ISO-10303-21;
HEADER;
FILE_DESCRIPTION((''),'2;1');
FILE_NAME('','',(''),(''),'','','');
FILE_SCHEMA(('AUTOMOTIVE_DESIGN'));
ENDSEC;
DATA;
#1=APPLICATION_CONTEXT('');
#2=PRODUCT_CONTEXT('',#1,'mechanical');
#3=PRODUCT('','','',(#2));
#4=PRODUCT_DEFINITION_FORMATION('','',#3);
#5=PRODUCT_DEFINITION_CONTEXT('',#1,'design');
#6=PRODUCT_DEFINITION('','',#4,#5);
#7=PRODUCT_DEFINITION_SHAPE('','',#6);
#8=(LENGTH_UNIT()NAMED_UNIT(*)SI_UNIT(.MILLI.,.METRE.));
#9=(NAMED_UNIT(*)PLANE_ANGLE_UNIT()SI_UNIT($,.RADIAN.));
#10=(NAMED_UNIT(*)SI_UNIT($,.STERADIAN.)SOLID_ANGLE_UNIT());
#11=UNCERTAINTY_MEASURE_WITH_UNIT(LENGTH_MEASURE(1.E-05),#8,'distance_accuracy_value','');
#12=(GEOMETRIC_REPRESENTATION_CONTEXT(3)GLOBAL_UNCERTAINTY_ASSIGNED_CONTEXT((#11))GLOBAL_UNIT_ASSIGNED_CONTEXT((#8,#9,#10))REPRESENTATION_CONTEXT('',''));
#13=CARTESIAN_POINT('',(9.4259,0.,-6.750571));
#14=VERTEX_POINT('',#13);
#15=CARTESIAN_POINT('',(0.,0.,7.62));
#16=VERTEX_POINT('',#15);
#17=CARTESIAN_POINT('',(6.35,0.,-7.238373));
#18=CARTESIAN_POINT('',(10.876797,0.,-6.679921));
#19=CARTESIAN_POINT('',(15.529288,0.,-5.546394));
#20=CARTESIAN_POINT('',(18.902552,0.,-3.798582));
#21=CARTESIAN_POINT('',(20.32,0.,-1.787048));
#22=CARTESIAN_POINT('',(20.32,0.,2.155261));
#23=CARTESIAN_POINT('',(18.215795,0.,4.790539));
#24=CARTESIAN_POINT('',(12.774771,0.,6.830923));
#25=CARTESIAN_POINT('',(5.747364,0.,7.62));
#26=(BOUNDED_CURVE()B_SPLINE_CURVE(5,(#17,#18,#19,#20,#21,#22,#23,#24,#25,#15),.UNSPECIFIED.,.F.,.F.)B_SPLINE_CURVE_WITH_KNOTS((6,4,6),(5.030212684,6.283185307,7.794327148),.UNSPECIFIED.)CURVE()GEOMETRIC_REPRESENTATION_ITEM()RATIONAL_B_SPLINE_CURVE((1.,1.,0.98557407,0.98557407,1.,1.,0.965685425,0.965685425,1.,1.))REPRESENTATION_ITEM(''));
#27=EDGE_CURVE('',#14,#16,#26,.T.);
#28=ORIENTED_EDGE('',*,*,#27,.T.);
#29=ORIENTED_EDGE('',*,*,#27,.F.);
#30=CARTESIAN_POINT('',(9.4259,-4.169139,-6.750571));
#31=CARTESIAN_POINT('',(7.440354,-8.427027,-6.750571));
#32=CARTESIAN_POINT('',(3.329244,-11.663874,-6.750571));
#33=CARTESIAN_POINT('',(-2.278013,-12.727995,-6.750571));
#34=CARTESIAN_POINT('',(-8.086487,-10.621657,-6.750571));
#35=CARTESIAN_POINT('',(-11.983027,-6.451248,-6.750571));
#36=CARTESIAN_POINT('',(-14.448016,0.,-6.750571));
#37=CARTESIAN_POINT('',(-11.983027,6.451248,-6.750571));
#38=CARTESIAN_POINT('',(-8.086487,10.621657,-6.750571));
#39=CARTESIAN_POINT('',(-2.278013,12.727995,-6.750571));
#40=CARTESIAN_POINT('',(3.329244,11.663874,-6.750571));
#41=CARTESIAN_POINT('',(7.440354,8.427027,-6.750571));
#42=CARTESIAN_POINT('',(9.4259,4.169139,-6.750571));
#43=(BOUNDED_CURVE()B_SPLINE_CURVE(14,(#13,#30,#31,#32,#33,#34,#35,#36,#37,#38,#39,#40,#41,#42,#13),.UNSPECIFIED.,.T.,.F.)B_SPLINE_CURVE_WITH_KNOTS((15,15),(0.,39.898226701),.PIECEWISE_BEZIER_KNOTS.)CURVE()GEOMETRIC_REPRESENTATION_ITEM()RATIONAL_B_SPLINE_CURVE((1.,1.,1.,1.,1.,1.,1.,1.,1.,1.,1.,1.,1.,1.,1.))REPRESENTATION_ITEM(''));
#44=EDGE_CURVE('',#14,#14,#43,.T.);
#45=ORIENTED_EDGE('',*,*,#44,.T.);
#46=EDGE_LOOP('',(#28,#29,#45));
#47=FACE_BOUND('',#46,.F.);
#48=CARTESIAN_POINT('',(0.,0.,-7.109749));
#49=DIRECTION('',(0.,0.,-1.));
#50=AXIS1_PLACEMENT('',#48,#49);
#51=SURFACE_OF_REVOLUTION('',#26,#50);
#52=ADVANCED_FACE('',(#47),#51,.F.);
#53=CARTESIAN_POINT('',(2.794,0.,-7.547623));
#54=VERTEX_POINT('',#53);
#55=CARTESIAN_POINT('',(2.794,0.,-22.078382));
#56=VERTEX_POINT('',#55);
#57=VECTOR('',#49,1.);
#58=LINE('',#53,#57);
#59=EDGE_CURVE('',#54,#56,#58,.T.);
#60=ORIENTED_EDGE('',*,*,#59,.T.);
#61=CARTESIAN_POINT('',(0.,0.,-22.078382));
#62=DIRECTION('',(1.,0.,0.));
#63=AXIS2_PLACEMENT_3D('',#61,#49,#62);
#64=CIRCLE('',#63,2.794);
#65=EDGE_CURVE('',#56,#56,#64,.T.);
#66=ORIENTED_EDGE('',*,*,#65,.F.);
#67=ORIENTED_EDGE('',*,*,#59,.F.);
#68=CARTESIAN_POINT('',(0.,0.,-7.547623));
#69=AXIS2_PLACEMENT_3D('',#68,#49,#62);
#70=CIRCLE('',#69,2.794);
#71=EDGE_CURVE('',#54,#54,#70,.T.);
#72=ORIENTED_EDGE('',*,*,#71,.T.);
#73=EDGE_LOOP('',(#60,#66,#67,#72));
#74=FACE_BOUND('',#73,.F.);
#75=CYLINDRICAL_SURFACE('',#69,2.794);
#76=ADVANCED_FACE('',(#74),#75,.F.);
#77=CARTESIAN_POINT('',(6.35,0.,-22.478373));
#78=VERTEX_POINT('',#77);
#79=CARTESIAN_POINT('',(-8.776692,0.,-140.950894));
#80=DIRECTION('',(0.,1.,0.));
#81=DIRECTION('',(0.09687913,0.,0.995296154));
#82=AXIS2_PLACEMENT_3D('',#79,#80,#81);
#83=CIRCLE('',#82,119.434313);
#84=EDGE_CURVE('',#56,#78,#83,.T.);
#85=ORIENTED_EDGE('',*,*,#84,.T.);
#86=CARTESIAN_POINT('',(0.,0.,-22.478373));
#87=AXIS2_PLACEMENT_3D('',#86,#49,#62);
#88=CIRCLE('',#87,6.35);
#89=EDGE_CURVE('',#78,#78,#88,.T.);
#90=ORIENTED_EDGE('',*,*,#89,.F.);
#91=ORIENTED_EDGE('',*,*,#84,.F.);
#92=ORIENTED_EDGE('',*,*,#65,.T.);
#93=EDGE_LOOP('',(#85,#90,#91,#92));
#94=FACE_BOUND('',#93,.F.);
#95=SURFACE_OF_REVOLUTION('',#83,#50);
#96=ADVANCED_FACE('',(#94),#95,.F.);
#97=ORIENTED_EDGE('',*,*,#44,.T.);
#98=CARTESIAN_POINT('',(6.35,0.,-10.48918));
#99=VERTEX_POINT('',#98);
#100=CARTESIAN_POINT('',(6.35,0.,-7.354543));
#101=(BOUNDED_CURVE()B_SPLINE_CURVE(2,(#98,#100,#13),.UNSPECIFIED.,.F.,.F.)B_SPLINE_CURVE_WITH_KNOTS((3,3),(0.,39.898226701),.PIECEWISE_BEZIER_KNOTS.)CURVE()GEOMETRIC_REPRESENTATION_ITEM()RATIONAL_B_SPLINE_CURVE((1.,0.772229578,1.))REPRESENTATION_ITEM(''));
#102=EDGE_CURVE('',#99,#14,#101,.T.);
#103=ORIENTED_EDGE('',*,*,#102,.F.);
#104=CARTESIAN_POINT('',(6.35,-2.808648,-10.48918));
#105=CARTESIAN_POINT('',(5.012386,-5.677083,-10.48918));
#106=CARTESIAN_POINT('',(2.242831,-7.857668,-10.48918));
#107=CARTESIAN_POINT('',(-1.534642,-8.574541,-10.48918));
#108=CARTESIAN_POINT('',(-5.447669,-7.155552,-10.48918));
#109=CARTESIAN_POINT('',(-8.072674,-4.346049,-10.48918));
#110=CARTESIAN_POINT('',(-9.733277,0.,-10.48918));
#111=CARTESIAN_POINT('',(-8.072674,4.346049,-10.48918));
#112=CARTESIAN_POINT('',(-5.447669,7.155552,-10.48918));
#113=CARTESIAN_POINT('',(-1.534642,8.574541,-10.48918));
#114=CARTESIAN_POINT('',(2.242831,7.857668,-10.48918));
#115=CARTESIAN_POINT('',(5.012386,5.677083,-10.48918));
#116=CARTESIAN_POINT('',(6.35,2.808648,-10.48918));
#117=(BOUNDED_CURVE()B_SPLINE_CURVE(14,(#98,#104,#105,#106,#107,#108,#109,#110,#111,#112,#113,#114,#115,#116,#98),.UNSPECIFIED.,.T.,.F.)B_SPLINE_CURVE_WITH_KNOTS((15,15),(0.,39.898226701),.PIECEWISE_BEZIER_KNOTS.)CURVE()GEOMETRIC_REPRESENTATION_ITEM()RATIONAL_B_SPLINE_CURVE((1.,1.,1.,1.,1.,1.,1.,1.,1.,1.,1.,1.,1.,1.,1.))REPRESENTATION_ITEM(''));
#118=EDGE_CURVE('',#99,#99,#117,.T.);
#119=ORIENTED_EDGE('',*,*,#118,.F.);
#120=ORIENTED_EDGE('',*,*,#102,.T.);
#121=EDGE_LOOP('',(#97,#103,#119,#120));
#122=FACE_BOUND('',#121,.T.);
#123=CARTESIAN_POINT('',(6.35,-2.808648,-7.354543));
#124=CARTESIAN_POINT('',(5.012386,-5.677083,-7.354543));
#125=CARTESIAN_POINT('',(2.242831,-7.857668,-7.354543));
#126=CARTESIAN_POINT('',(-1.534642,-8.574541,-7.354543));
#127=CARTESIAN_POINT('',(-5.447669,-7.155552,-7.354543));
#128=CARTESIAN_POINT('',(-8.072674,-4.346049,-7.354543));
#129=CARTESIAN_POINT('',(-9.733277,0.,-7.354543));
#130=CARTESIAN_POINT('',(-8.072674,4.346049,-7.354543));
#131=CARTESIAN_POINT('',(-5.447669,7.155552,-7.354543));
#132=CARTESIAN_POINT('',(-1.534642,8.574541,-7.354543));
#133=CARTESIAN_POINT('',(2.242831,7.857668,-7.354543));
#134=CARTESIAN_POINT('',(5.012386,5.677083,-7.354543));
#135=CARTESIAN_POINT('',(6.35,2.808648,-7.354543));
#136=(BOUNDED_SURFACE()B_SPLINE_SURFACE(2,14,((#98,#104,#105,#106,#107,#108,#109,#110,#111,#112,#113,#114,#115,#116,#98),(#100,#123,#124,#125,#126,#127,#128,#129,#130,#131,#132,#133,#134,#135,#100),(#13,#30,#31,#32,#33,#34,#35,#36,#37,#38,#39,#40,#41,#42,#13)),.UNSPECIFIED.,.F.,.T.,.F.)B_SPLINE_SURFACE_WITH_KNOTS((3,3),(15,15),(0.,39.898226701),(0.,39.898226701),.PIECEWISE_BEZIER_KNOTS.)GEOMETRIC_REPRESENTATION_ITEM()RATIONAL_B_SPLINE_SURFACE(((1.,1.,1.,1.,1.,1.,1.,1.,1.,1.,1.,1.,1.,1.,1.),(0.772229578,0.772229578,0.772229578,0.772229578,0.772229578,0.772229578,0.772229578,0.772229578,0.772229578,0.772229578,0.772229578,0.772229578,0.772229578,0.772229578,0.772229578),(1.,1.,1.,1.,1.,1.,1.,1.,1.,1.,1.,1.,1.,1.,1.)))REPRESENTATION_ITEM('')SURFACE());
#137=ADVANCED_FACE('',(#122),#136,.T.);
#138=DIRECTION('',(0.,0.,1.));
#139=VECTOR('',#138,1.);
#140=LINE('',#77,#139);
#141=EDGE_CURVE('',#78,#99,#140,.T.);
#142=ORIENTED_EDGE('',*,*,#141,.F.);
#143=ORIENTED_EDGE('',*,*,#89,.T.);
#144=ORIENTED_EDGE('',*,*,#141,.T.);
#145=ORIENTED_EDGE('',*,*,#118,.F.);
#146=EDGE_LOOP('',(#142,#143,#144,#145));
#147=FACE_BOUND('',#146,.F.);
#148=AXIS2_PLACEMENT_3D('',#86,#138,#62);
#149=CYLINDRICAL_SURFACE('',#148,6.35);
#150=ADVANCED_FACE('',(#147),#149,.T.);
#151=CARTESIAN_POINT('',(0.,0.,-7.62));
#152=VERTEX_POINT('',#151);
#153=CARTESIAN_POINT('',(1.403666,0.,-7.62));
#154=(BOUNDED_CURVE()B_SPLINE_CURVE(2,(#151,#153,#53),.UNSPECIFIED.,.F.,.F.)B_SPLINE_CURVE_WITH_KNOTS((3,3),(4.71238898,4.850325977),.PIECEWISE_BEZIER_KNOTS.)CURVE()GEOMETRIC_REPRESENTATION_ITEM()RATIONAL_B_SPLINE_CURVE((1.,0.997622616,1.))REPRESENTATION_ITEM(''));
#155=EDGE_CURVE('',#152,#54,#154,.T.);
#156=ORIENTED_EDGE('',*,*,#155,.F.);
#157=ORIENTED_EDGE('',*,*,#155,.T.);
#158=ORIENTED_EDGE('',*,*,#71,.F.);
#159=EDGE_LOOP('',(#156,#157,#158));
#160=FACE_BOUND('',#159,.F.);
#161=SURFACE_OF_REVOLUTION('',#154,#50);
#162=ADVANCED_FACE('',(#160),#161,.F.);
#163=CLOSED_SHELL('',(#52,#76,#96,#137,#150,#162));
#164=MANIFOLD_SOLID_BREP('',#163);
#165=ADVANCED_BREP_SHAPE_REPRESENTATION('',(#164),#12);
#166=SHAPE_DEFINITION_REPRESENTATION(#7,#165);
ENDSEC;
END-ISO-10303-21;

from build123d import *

# Parameters (mm, degrees)
F2_R = 3.81


with BuildPart() as f1:
    # F0 (on Front) → F1 (revolve)
    with BuildSketch(Plane.XZ):
        with BuildLine():
            Line((0, 7.62), (0, 3.81))
            add(Edge.make_bspline(
                [(16.51, 0), (16.51, 3.81), (0, 3.81)],
                knots=[0, 0, 0, 1.5707963268, 1.5707963268, 1.5707963268], degree=2, weights=[1, 0.7071067812, 1]))
            Line((16.51, 0), (20.32, 0))
            add(Edge.make_bspline(
                [(20.32, 0), (20.32, 7.62), (0, 7.62)],
                knots=[0, 0, 0, 1.5707963268, 1.5707963268, 1.5707963268], degree=2, weights=[1, 0.7071067812, 1]))
        make_face()
        with BuildLine():
            Line((0, 3.81), (0, -3.81))
            add(Edge.make_bspline(
                [(0, -3.81), (16.51, -3.81), (16.51, 0)],
                knots=[4.7123889804, 4.7123889804, 4.7123889804, 6.2831853072, 6.2831853072, 6.2831853072], degree=2, weights=[1, 0.7071067812, 1]))
            add(Edge.make_bspline(
                [(16.51, 0), (16.51, 3.81), (0, 3.81)],
                knots=[0, 0, 0, 1.5707963268, 1.5707963268, 1.5707963268], degree=2, weights=[1, 0.7071067812, 1]))
        make_face()
        with BuildLine():
            Line((0, -3.81), (0, -7.62))
            add(Edge.make_bspline(
                [(0, -7.62), (1.4036661743, -7.62), (2.794, -7.5476234629)],
                knots=[4.7123889804, 4.7123889804, 4.7123889804, 4.8503259768, 4.8503259768, 4.8503259768], degree=2, weights=[1, 0.9976226157, 1]))
            add(Edge.make_bspline(
                [(2.794, -7.5476234629), (4.6091869917, -7.4531303662), (6.35, -7.2383733281)],
                knots=[4.8503259768, 4.8503259768, 4.8503259768, 5.0302126843, 5.0302126843, 5.0302126843], degree=2, weights=[1, 0.9959578227, 1]))
            add(Edge.make_bspline(
                [(6.35, -7.2383733281), (20.32, -5.5149511072), (20.32, 0)],
                knots=[5.0302126843, 5.0302126843, 5.0302126843, 6.2831853072, 6.2831853072, 6.2831853072], degree=2, weights=[1, 0.8100925873, 1]))
            Line((20.32, 0), (16.51, 0))
            add(Edge.make_bspline(
                [(0, -3.81), (16.51, -3.81), (16.51, 0)],
                knots=[4.7123889804, 4.7123889804, 4.7123889804, 6.2831853072, 6.2831853072, 6.2831853072], degree=2, weights=[1, 0.7071067812, 1]))
        make_face()
        with BuildLine():
            add(Edge.make_bspline(
                [(2.794, -7.5476234629), (4.6091869917, -7.4531303662), (6.35, -7.2383733281)],
                knots=[4.8503259768, 4.8503259768, 4.8503259768, 5.0302126843, 5.0302126843, 5.0302126843], degree=2, weights=[1, 0.9959578227, 1]))
            Line((2.794, -7.5476234629), (2.794, -22.0783822325))
            ThreePointArc((2.794, -22.0783822325), (4.5734981233, -22.2650591674), (6.35, -22.4783733281))
            Line((6.35, -22.4783733281), (6.35, -7.2383733281))
        make_face()
    revolve(axis=Axis((0, 0, -7.1097490224), (0, 0, -1)))

    # F2
    f2_edges = [f1.edges().sort_by_distance(p)[0] for p in [
        (-6.35, 0, -7.238373),
    ]]
    fillet(f2_edges, radius=F2_R)


solid = f1.part
